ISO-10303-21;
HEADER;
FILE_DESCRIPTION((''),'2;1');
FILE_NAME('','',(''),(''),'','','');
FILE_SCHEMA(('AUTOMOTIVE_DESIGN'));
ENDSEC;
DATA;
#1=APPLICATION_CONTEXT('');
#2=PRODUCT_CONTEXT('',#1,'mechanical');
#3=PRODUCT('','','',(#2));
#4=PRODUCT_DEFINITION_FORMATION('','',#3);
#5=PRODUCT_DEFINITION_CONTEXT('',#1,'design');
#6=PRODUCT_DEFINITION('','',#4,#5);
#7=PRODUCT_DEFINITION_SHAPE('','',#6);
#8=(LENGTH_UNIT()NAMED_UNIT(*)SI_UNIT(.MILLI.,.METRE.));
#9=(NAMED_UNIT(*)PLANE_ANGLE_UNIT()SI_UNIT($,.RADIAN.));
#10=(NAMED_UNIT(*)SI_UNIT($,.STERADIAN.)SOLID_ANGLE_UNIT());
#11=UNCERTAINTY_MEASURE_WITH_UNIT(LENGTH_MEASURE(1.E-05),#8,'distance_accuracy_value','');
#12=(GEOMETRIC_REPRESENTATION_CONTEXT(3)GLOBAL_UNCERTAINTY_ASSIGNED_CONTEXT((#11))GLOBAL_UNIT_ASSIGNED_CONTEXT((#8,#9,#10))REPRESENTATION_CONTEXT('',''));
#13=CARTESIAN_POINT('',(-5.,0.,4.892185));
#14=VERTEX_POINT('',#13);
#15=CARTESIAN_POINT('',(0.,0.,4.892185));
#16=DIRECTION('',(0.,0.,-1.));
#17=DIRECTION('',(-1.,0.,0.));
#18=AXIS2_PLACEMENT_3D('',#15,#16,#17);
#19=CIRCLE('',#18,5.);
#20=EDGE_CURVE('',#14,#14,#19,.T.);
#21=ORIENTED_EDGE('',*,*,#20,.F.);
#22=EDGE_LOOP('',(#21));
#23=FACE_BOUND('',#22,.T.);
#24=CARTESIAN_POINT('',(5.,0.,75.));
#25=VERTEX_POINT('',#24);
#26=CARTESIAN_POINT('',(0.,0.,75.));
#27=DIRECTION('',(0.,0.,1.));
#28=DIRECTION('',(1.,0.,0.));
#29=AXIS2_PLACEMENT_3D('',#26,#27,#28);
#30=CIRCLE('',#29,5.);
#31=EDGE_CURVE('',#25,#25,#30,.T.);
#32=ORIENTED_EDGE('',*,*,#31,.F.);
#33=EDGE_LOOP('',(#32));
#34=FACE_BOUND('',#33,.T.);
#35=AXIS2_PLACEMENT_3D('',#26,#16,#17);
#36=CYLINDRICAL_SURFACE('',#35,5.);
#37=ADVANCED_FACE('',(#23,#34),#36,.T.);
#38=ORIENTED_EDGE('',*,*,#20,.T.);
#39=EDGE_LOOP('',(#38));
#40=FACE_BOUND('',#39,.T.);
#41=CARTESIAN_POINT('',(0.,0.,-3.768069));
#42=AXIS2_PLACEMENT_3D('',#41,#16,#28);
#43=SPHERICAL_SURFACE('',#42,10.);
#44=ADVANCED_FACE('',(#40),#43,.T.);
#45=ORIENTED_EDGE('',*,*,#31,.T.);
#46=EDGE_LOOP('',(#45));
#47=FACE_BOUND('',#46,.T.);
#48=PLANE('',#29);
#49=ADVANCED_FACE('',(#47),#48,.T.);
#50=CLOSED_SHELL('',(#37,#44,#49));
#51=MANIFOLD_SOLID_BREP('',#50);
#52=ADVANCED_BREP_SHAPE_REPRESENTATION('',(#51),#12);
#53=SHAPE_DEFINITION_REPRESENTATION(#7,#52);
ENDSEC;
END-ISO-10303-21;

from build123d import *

# Parameters (mm, degrees)
SKETCH_1_R      = 5
EXTRUDE_1_DEPTH = 75


with BuildPart() as part:
    # 草图1 → 凸台-拉伸1 (new body)
    with BuildSketch(Plane.XY):
        Circle(SKETCH_1_R)
    extrude(amount=EXTRUDE_1_DEPTH)

    # 草图4 → 旋转29 (revolve)
    with BuildSketch(Plane(origin=(0, 0, 0), x_dir=(1, 0, 0), z_dir=(0, 1, 0))):
        with BuildLine():
            Line((0, 13.768068936), (0, -6.231931064))
            ThreePointArc((0, -6.231931064), (10, 3.768068936), (0, 13.768068936))
        make_face()
    revolve(axis=Axis((0, 0, -13.768068936), (0, 0, 1)))


solid = part.part
